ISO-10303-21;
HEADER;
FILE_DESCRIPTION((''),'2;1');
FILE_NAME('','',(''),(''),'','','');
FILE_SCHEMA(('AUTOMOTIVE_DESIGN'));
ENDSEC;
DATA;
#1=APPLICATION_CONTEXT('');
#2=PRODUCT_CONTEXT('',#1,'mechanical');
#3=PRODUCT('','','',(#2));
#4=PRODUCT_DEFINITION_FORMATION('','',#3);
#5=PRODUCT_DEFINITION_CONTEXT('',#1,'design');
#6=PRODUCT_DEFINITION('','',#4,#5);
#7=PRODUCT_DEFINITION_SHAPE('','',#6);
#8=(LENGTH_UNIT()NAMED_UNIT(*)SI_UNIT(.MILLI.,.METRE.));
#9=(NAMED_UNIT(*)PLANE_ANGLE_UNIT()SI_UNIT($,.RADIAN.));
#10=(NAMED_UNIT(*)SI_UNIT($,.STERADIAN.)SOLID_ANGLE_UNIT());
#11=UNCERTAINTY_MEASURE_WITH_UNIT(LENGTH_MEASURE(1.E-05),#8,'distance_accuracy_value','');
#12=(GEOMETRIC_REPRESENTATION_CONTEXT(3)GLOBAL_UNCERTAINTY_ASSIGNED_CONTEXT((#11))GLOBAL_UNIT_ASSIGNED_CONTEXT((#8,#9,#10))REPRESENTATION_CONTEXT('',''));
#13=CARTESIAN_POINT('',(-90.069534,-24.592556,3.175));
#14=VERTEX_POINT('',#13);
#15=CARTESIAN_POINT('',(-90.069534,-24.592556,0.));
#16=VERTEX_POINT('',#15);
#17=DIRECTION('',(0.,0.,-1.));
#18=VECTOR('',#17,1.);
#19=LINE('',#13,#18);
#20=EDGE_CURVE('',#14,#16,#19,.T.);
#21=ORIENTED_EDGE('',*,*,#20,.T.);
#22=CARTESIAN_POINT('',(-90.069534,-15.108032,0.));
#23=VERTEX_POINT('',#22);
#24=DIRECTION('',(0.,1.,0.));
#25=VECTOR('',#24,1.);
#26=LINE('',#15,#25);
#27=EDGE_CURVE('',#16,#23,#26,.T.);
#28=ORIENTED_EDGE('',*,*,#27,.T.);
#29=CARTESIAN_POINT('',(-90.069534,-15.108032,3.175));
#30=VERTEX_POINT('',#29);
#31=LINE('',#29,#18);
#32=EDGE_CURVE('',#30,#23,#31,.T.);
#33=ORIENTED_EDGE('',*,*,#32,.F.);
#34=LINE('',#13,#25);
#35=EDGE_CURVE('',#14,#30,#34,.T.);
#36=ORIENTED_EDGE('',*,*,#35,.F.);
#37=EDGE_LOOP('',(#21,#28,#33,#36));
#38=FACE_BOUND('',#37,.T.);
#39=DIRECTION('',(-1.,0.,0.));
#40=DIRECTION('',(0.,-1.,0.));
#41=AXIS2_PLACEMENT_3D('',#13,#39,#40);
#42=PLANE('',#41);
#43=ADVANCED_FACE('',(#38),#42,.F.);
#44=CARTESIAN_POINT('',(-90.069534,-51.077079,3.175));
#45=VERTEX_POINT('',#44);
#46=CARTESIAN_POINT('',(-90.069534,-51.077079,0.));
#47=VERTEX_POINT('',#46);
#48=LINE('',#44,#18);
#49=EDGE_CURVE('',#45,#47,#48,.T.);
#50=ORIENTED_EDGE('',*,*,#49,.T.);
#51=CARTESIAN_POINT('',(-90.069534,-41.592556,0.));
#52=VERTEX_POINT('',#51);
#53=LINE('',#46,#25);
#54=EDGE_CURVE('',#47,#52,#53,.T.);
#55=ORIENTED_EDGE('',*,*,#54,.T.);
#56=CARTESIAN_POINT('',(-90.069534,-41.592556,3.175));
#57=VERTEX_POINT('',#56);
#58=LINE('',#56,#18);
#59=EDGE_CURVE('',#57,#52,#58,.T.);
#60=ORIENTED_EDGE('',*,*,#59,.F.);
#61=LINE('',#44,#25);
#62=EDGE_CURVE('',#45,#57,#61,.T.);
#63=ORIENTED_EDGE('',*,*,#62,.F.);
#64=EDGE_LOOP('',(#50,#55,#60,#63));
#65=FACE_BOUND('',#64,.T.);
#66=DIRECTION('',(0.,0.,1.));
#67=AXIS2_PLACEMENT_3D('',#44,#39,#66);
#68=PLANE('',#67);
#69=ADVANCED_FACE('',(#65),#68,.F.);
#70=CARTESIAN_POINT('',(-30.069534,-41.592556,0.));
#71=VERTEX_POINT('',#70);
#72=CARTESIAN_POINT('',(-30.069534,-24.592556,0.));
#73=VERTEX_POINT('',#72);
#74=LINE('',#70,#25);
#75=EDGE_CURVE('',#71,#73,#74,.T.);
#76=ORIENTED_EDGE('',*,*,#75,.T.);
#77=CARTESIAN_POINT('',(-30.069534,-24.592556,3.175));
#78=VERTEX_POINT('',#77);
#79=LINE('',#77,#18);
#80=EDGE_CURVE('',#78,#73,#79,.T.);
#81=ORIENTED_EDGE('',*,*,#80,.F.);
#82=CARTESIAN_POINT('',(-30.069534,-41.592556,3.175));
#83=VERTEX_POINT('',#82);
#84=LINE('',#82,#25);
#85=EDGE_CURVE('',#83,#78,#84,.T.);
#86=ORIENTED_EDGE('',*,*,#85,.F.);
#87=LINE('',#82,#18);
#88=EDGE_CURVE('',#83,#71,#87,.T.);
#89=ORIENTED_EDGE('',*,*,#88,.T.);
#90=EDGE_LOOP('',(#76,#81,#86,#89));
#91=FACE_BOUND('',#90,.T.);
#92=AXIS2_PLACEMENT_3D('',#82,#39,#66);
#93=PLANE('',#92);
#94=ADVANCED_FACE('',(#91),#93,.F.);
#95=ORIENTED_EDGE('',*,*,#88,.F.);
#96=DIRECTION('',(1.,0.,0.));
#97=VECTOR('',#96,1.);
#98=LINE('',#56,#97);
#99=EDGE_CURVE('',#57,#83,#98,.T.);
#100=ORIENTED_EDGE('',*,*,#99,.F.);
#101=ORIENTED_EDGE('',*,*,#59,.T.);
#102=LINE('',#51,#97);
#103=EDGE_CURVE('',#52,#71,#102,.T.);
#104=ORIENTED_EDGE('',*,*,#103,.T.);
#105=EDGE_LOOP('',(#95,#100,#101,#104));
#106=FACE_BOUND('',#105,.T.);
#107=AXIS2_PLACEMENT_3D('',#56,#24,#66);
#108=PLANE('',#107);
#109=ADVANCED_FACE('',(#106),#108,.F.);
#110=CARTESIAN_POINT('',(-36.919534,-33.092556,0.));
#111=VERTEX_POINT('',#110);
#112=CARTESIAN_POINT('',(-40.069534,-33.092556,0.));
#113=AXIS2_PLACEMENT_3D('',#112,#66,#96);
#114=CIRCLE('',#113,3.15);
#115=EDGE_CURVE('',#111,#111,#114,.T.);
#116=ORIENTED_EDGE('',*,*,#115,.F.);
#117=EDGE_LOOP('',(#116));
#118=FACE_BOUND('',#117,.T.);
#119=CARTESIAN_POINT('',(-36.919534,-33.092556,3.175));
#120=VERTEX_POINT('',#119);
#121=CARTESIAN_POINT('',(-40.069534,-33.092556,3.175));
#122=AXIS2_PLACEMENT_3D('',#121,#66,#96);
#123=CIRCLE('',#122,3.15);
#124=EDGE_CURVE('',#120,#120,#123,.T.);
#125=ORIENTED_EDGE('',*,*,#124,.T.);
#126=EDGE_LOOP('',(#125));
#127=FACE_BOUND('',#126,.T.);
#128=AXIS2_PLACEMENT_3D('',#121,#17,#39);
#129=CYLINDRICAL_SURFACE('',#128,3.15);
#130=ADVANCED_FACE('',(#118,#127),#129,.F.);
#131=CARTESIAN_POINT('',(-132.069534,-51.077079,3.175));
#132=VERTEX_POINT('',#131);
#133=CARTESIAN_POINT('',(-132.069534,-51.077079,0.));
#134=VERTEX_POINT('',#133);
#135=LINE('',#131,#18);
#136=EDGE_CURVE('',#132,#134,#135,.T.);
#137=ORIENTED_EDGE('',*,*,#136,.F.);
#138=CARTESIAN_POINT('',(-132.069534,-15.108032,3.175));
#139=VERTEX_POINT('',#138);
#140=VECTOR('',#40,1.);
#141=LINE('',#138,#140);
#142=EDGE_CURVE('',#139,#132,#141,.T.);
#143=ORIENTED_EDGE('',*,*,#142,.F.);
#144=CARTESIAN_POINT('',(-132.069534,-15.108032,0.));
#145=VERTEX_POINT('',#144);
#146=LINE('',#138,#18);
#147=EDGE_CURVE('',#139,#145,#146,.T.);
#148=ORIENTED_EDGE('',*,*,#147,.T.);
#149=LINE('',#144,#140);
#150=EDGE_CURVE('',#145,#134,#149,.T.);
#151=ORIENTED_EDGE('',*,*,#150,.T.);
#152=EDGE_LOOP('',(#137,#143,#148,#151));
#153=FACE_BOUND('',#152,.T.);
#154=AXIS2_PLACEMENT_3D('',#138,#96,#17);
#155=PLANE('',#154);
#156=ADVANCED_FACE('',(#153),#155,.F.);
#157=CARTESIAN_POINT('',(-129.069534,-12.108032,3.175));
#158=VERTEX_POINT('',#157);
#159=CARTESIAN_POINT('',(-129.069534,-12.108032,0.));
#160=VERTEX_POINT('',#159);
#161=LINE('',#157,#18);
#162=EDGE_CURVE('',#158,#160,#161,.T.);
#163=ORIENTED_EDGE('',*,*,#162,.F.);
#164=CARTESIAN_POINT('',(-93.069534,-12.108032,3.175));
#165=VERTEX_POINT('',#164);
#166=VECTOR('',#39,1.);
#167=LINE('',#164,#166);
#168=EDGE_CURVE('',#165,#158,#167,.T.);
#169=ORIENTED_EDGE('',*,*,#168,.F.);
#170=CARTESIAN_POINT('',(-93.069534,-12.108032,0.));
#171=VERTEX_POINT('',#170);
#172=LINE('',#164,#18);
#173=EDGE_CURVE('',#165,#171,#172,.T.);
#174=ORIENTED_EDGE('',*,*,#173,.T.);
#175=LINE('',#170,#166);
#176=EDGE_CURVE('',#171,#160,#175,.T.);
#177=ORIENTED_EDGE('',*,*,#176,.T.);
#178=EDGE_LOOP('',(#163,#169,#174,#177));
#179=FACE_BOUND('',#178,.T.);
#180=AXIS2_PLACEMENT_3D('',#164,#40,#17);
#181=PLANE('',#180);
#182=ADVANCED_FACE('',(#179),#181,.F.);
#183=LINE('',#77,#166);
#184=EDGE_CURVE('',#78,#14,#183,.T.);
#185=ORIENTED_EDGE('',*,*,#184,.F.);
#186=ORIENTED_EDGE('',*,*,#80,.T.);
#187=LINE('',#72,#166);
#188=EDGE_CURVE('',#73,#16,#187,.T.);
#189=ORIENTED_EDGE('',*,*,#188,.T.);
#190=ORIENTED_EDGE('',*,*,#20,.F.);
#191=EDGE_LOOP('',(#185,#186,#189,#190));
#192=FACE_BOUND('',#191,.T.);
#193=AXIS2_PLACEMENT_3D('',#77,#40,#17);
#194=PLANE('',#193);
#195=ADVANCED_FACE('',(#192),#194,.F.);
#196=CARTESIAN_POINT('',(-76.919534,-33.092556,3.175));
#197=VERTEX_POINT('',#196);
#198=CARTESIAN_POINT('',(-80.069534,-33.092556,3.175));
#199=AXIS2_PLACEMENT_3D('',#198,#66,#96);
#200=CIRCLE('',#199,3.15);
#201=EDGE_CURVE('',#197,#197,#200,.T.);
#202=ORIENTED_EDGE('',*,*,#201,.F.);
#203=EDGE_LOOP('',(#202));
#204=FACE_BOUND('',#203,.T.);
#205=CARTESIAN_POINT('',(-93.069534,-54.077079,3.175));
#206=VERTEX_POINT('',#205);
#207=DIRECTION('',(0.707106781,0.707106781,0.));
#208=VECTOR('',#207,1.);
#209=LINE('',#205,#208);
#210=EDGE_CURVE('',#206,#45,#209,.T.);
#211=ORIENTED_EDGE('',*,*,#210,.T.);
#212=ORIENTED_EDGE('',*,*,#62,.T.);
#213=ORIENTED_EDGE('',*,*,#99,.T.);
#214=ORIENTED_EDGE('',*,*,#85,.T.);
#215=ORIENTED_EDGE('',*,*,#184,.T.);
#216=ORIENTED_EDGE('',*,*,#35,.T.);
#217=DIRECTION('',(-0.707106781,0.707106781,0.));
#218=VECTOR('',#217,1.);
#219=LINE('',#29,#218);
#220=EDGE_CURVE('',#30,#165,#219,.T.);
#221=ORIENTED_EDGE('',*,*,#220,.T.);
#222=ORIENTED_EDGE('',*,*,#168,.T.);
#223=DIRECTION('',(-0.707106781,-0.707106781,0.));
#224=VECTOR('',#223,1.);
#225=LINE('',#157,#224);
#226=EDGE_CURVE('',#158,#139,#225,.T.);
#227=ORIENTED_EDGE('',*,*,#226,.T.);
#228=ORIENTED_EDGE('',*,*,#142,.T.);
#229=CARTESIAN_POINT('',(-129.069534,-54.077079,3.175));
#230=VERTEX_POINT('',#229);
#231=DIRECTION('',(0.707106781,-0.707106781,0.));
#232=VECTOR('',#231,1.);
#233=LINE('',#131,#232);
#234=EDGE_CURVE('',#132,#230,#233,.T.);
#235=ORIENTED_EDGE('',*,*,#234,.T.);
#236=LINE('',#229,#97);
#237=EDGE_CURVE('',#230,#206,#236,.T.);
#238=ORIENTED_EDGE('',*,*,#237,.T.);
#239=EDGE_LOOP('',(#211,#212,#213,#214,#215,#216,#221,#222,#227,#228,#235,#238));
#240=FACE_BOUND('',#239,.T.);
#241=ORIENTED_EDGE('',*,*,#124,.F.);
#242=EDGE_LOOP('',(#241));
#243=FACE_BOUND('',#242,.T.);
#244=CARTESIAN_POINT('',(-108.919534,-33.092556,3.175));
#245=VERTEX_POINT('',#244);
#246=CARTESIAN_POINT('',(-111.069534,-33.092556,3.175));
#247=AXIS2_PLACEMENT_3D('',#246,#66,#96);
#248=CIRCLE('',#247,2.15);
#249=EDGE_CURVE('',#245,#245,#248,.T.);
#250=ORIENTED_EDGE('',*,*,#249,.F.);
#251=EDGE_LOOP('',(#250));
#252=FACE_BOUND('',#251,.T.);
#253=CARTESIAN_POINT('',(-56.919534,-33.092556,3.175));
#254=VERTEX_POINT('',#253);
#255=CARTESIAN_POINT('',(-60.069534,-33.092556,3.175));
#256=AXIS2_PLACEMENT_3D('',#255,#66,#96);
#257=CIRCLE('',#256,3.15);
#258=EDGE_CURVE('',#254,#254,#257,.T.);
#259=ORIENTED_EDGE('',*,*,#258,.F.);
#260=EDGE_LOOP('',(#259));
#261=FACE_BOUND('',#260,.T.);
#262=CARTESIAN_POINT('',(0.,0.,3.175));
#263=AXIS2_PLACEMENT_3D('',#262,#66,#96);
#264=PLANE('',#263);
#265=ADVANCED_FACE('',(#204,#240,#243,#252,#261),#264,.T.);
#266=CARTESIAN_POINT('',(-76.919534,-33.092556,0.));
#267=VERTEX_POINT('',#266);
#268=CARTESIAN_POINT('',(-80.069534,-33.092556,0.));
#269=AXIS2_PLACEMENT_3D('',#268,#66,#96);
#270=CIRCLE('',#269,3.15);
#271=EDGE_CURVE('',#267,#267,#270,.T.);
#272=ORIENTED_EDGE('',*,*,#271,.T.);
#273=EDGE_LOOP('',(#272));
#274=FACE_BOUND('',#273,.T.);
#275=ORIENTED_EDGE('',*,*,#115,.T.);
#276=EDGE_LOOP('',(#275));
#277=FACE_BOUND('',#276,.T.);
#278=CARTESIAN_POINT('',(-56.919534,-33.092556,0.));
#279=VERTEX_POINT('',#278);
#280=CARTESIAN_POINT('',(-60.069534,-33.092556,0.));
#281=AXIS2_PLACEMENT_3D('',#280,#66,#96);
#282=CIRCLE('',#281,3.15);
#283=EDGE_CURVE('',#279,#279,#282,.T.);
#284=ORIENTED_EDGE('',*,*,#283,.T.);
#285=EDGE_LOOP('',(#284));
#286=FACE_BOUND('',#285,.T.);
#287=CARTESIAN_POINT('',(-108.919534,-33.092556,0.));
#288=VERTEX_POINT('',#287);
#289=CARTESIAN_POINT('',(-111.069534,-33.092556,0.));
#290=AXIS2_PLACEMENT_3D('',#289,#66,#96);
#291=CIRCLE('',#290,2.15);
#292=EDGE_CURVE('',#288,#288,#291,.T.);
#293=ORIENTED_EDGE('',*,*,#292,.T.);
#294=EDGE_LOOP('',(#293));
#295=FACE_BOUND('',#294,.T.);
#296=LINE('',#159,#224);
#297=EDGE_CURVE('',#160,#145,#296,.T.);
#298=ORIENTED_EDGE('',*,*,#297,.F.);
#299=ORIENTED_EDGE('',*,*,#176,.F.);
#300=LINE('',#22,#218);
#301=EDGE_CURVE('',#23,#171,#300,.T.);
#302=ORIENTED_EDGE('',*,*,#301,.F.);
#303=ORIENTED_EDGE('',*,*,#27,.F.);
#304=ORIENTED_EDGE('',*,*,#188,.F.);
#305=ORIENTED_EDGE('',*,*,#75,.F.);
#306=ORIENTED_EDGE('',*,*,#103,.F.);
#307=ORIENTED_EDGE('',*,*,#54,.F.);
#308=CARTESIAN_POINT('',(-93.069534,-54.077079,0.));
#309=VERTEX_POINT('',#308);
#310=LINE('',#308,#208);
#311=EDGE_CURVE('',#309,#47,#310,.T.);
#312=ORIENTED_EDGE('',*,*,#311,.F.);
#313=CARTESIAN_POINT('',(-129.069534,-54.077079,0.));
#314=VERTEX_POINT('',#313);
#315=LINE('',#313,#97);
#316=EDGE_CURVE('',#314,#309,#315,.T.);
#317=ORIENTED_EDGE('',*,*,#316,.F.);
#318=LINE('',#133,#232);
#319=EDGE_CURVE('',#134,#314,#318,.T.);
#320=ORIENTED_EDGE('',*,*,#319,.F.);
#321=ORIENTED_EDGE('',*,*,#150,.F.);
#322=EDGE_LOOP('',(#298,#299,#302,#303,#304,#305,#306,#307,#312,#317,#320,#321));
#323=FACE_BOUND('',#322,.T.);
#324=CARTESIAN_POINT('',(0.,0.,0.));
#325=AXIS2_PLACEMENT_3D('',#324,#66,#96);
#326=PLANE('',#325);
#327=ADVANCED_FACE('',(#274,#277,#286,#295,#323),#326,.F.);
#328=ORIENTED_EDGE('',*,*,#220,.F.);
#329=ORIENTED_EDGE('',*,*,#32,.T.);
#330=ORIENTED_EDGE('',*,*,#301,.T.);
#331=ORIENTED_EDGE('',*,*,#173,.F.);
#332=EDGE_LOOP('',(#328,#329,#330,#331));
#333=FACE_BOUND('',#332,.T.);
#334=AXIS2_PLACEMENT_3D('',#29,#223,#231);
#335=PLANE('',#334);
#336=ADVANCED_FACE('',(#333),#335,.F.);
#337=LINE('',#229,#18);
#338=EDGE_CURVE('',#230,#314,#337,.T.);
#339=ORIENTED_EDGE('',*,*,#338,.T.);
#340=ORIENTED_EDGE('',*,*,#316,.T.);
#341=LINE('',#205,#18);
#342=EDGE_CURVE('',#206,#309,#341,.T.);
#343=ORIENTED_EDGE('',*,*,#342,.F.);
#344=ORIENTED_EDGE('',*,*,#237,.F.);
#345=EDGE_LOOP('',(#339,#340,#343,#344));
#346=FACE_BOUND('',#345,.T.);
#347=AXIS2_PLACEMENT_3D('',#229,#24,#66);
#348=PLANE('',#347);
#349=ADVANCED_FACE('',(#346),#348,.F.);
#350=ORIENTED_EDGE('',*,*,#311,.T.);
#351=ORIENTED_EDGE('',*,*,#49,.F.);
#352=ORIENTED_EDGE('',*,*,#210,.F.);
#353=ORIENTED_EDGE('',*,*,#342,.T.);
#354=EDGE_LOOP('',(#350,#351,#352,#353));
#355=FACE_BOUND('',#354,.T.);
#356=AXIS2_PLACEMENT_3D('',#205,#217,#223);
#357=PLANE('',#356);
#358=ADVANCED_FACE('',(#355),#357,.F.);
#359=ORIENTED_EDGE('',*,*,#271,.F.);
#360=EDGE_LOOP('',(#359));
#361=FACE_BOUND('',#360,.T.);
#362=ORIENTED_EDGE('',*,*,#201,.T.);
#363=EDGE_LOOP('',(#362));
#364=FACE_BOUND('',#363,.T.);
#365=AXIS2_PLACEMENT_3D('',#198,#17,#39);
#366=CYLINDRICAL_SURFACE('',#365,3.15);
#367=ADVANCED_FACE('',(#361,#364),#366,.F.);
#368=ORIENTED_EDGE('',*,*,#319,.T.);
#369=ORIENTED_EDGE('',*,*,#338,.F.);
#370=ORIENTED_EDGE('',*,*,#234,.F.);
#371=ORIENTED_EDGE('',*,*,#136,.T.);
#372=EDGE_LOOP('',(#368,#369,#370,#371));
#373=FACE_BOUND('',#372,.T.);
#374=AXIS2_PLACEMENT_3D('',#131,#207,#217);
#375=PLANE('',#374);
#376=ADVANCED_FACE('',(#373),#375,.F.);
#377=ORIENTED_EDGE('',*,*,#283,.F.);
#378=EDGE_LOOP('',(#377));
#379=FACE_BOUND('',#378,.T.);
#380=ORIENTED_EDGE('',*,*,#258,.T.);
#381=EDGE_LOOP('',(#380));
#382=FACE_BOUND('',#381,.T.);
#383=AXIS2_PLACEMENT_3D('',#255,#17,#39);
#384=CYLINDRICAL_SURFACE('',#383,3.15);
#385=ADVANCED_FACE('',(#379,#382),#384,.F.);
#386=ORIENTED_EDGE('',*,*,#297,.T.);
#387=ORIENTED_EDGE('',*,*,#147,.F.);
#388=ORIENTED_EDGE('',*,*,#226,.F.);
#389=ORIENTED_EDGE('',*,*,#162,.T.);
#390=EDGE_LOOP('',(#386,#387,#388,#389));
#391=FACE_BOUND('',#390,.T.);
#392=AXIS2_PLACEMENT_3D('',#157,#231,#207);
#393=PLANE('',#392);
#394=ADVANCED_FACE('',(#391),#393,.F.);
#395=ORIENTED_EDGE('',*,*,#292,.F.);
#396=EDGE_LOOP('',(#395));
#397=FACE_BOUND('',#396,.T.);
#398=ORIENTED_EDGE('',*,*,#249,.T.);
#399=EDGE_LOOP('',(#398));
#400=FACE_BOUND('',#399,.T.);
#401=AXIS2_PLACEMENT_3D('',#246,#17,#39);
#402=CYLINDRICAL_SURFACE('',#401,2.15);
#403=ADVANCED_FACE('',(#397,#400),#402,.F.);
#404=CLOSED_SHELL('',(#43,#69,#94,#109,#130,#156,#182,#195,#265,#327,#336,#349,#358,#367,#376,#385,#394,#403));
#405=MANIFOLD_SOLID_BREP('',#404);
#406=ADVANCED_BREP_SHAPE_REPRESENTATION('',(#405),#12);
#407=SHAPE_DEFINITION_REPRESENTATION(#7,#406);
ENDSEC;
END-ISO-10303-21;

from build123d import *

# Parameters (mm, degrees)
SKETCH1_R           = 2.15
SKETCH1_R_2         = 3.15
BOSS_EXTRUDE1_DEPTH = 3.175


with BuildPart() as part:
    # Sketch1 → Boss-Extrude1 (new body)
    with BuildSketch(Plane.XY):
        Polygon((-90.069533508, -51.077079226), (-90.069533508, -41.592555764), (-30.069533508, -41.592555764), (-30.069533508, -24.592555764), (-90.069533508, -24.592555764), (-90.069533508, -15.108032302), (-93.069533508, -12.108032302), (-129.069533508, -12.108032302), (-132.069533508, -15.108032302), (-132.069533508, -51.077079226), (-129.069533508, -54.077079226), (-93.069533508, -54.077079226), align=None)
        with Locations((-111.069533508, -33.092555764)):
            Circle(SKETCH1_R, mode=Mode.SUBTRACT)
        with Locations((-40.069533508, -33.092555764)):
            Circle(SKETCH1_R_2, mode=Mode.SUBTRACT)
        with Locations((-60.069533508, -33.092555764)):
            Circle(SKETCH1_R_2, mode=Mode.SUBTRACT)
        with Locations((-80.069533508, -33.092555764)):
            Circle(SKETCH1_R_2, mode=Mode.SUBTRACT)
    extrude(amount=BOSS_EXTRUDE1_DEPTH)


solid = part.part
